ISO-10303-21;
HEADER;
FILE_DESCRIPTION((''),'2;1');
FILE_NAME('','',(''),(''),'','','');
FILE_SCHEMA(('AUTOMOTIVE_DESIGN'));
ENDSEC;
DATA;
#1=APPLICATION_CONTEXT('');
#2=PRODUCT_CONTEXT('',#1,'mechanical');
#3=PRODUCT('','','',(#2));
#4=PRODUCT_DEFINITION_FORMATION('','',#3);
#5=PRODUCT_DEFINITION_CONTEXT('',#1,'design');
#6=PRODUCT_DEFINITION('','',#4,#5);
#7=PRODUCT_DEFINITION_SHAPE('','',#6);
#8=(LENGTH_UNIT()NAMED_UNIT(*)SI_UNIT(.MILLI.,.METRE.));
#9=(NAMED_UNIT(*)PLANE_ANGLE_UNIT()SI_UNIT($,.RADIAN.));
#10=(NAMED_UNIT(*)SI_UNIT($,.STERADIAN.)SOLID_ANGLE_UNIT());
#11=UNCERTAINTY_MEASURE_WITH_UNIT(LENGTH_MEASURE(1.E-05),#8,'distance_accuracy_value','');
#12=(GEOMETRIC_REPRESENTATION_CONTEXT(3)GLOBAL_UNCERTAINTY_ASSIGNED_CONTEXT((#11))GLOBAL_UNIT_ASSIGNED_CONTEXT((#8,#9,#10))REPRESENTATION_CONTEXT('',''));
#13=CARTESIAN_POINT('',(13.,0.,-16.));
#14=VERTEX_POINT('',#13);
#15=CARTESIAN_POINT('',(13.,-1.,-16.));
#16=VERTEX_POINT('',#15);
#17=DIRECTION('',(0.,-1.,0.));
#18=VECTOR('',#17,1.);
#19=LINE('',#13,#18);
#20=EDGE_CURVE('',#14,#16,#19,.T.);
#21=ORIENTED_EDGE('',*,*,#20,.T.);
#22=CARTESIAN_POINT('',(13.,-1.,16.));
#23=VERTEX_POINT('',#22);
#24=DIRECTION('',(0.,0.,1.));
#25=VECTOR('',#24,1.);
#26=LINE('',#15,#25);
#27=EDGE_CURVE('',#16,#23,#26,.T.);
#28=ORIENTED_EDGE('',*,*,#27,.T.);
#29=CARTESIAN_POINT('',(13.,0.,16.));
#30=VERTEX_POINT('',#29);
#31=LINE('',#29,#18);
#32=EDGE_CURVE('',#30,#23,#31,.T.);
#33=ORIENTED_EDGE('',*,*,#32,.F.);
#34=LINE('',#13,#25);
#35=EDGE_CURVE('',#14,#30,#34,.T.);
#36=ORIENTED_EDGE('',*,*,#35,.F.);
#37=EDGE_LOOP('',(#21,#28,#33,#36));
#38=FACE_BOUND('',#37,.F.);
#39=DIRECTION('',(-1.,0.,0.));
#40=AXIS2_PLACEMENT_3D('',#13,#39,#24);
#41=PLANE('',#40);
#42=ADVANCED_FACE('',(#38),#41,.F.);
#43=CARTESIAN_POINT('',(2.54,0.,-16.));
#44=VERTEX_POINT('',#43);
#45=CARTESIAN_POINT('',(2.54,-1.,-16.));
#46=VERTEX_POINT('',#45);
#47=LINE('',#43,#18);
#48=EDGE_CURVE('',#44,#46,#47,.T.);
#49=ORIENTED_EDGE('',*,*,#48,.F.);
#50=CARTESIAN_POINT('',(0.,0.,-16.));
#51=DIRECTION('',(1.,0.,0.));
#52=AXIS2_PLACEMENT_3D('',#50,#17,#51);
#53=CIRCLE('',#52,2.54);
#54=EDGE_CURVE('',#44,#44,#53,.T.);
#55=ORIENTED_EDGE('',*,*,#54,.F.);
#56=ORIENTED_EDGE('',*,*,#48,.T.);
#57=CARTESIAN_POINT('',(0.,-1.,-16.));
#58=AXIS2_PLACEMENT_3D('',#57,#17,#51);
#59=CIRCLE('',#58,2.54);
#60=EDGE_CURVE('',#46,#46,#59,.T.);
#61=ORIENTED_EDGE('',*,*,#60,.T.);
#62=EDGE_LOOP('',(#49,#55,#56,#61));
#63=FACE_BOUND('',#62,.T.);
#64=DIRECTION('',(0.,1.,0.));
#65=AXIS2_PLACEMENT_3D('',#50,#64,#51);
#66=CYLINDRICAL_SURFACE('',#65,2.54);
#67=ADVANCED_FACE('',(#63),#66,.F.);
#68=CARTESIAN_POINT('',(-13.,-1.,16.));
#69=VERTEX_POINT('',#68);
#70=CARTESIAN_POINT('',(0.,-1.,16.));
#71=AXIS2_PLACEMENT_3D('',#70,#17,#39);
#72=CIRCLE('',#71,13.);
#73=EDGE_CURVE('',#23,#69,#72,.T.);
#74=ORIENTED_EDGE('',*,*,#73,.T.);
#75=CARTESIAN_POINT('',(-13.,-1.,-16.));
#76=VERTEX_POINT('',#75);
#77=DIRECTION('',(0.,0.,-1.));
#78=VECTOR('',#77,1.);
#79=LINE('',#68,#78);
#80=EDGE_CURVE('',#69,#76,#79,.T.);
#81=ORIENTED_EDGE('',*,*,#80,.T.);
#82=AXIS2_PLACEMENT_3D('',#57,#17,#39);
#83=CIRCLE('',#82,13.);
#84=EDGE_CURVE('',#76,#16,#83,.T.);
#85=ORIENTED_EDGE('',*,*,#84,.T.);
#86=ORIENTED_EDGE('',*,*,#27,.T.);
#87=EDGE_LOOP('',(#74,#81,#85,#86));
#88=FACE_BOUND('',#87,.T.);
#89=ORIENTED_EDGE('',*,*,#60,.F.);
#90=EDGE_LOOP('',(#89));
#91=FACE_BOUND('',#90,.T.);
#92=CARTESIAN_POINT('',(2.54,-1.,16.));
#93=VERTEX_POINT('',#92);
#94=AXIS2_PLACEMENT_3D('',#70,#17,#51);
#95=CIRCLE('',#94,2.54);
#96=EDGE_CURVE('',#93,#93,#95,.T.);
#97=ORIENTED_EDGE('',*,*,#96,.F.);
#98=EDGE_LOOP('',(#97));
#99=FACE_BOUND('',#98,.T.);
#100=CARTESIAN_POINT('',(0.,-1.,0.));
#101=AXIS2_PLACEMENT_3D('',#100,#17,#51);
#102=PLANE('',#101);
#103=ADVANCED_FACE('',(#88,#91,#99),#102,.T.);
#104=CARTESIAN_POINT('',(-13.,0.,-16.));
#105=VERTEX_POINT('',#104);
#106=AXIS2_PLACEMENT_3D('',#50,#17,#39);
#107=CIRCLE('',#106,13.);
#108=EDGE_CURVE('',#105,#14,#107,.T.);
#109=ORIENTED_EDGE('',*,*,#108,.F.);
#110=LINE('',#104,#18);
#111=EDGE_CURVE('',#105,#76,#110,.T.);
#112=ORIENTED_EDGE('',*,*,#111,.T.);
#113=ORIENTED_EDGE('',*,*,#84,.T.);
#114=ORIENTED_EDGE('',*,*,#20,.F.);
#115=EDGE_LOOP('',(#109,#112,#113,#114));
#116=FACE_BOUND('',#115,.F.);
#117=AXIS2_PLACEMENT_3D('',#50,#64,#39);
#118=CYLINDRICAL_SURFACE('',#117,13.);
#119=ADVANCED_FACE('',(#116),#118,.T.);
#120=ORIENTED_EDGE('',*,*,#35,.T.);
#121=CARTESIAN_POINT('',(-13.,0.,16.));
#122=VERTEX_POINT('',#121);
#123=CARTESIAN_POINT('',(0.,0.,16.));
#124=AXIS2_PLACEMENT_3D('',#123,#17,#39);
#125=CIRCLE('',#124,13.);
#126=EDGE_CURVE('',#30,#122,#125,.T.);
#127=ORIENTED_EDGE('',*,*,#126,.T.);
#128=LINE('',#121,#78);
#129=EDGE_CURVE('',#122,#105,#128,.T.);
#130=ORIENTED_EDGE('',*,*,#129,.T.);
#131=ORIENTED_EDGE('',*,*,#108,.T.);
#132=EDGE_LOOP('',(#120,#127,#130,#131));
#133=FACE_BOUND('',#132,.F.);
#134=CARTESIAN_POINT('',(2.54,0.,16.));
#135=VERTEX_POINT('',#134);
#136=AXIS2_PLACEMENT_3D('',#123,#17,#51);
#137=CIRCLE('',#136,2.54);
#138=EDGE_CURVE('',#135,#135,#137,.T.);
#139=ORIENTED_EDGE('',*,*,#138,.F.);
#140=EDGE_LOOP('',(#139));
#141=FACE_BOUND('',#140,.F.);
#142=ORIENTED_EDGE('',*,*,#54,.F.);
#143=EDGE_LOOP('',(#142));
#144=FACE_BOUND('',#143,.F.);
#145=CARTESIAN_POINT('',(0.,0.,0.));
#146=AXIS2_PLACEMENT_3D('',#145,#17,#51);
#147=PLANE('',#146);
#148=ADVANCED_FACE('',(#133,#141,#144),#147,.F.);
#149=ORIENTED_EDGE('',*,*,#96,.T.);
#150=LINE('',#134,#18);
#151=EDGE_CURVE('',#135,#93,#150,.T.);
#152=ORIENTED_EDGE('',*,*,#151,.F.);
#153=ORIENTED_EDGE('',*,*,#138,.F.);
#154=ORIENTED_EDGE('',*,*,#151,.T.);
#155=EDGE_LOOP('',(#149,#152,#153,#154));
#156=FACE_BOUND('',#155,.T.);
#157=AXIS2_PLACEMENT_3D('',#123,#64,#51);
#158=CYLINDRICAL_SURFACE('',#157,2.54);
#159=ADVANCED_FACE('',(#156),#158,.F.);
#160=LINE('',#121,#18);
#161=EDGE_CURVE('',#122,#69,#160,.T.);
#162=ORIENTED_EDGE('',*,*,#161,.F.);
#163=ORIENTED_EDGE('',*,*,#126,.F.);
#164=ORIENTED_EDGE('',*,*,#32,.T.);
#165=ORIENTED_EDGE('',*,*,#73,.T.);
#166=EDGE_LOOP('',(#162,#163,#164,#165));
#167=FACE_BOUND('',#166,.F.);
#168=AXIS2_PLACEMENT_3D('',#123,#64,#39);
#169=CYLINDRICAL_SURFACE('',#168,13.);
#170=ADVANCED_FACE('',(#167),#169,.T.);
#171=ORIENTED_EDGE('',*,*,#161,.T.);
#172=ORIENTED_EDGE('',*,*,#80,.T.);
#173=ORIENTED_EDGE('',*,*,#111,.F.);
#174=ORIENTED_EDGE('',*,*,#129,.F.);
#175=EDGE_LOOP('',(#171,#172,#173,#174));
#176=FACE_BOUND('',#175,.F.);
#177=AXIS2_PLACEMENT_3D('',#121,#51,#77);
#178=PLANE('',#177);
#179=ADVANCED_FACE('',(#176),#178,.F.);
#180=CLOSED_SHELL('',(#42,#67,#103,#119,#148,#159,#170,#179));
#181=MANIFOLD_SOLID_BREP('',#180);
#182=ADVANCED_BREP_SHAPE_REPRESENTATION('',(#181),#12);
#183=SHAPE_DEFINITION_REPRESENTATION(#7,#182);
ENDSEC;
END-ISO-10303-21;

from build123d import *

# Parameters (mm, degrees)
F0_R     = 2.54
F1_DEPTH = 1


with BuildPart() as f1:
    # F0 (on Front) → F1 (new body)
    with BuildSketch(Plane.XZ):
        with BuildLine():
            ThreePointArc((13, 16), (0, 3), (-13, 16))
            Line((-13, 16), (-13, -16))
            ThreePointArc((-13, -16), (0, -3), (13, -16))
            Line((13, -16), (13, 16))
        make_face()
        with BuildLine():
            ThreePointArc((13, 16), (0, 29), (-13, 16))
            ThreePointArc((-13, 16), (0, 3), (13, 16))
        make_face()
        with Locations((0, 16)):
            Circle(F0_R, mode=Mode.SUBTRACT)
        with BuildLine():
            ThreePointArc((13, -16), (0, -3), (-13, -16))
            ThreePointArc((-13, -16), (0, -29), (13, -16))
        make_face()
        with Locations((0, -16)):
            Circle(F0_R, mode=Mode.SUBTRACT)
    extrude(amount=F1_DEPTH)


solid = f1.part
